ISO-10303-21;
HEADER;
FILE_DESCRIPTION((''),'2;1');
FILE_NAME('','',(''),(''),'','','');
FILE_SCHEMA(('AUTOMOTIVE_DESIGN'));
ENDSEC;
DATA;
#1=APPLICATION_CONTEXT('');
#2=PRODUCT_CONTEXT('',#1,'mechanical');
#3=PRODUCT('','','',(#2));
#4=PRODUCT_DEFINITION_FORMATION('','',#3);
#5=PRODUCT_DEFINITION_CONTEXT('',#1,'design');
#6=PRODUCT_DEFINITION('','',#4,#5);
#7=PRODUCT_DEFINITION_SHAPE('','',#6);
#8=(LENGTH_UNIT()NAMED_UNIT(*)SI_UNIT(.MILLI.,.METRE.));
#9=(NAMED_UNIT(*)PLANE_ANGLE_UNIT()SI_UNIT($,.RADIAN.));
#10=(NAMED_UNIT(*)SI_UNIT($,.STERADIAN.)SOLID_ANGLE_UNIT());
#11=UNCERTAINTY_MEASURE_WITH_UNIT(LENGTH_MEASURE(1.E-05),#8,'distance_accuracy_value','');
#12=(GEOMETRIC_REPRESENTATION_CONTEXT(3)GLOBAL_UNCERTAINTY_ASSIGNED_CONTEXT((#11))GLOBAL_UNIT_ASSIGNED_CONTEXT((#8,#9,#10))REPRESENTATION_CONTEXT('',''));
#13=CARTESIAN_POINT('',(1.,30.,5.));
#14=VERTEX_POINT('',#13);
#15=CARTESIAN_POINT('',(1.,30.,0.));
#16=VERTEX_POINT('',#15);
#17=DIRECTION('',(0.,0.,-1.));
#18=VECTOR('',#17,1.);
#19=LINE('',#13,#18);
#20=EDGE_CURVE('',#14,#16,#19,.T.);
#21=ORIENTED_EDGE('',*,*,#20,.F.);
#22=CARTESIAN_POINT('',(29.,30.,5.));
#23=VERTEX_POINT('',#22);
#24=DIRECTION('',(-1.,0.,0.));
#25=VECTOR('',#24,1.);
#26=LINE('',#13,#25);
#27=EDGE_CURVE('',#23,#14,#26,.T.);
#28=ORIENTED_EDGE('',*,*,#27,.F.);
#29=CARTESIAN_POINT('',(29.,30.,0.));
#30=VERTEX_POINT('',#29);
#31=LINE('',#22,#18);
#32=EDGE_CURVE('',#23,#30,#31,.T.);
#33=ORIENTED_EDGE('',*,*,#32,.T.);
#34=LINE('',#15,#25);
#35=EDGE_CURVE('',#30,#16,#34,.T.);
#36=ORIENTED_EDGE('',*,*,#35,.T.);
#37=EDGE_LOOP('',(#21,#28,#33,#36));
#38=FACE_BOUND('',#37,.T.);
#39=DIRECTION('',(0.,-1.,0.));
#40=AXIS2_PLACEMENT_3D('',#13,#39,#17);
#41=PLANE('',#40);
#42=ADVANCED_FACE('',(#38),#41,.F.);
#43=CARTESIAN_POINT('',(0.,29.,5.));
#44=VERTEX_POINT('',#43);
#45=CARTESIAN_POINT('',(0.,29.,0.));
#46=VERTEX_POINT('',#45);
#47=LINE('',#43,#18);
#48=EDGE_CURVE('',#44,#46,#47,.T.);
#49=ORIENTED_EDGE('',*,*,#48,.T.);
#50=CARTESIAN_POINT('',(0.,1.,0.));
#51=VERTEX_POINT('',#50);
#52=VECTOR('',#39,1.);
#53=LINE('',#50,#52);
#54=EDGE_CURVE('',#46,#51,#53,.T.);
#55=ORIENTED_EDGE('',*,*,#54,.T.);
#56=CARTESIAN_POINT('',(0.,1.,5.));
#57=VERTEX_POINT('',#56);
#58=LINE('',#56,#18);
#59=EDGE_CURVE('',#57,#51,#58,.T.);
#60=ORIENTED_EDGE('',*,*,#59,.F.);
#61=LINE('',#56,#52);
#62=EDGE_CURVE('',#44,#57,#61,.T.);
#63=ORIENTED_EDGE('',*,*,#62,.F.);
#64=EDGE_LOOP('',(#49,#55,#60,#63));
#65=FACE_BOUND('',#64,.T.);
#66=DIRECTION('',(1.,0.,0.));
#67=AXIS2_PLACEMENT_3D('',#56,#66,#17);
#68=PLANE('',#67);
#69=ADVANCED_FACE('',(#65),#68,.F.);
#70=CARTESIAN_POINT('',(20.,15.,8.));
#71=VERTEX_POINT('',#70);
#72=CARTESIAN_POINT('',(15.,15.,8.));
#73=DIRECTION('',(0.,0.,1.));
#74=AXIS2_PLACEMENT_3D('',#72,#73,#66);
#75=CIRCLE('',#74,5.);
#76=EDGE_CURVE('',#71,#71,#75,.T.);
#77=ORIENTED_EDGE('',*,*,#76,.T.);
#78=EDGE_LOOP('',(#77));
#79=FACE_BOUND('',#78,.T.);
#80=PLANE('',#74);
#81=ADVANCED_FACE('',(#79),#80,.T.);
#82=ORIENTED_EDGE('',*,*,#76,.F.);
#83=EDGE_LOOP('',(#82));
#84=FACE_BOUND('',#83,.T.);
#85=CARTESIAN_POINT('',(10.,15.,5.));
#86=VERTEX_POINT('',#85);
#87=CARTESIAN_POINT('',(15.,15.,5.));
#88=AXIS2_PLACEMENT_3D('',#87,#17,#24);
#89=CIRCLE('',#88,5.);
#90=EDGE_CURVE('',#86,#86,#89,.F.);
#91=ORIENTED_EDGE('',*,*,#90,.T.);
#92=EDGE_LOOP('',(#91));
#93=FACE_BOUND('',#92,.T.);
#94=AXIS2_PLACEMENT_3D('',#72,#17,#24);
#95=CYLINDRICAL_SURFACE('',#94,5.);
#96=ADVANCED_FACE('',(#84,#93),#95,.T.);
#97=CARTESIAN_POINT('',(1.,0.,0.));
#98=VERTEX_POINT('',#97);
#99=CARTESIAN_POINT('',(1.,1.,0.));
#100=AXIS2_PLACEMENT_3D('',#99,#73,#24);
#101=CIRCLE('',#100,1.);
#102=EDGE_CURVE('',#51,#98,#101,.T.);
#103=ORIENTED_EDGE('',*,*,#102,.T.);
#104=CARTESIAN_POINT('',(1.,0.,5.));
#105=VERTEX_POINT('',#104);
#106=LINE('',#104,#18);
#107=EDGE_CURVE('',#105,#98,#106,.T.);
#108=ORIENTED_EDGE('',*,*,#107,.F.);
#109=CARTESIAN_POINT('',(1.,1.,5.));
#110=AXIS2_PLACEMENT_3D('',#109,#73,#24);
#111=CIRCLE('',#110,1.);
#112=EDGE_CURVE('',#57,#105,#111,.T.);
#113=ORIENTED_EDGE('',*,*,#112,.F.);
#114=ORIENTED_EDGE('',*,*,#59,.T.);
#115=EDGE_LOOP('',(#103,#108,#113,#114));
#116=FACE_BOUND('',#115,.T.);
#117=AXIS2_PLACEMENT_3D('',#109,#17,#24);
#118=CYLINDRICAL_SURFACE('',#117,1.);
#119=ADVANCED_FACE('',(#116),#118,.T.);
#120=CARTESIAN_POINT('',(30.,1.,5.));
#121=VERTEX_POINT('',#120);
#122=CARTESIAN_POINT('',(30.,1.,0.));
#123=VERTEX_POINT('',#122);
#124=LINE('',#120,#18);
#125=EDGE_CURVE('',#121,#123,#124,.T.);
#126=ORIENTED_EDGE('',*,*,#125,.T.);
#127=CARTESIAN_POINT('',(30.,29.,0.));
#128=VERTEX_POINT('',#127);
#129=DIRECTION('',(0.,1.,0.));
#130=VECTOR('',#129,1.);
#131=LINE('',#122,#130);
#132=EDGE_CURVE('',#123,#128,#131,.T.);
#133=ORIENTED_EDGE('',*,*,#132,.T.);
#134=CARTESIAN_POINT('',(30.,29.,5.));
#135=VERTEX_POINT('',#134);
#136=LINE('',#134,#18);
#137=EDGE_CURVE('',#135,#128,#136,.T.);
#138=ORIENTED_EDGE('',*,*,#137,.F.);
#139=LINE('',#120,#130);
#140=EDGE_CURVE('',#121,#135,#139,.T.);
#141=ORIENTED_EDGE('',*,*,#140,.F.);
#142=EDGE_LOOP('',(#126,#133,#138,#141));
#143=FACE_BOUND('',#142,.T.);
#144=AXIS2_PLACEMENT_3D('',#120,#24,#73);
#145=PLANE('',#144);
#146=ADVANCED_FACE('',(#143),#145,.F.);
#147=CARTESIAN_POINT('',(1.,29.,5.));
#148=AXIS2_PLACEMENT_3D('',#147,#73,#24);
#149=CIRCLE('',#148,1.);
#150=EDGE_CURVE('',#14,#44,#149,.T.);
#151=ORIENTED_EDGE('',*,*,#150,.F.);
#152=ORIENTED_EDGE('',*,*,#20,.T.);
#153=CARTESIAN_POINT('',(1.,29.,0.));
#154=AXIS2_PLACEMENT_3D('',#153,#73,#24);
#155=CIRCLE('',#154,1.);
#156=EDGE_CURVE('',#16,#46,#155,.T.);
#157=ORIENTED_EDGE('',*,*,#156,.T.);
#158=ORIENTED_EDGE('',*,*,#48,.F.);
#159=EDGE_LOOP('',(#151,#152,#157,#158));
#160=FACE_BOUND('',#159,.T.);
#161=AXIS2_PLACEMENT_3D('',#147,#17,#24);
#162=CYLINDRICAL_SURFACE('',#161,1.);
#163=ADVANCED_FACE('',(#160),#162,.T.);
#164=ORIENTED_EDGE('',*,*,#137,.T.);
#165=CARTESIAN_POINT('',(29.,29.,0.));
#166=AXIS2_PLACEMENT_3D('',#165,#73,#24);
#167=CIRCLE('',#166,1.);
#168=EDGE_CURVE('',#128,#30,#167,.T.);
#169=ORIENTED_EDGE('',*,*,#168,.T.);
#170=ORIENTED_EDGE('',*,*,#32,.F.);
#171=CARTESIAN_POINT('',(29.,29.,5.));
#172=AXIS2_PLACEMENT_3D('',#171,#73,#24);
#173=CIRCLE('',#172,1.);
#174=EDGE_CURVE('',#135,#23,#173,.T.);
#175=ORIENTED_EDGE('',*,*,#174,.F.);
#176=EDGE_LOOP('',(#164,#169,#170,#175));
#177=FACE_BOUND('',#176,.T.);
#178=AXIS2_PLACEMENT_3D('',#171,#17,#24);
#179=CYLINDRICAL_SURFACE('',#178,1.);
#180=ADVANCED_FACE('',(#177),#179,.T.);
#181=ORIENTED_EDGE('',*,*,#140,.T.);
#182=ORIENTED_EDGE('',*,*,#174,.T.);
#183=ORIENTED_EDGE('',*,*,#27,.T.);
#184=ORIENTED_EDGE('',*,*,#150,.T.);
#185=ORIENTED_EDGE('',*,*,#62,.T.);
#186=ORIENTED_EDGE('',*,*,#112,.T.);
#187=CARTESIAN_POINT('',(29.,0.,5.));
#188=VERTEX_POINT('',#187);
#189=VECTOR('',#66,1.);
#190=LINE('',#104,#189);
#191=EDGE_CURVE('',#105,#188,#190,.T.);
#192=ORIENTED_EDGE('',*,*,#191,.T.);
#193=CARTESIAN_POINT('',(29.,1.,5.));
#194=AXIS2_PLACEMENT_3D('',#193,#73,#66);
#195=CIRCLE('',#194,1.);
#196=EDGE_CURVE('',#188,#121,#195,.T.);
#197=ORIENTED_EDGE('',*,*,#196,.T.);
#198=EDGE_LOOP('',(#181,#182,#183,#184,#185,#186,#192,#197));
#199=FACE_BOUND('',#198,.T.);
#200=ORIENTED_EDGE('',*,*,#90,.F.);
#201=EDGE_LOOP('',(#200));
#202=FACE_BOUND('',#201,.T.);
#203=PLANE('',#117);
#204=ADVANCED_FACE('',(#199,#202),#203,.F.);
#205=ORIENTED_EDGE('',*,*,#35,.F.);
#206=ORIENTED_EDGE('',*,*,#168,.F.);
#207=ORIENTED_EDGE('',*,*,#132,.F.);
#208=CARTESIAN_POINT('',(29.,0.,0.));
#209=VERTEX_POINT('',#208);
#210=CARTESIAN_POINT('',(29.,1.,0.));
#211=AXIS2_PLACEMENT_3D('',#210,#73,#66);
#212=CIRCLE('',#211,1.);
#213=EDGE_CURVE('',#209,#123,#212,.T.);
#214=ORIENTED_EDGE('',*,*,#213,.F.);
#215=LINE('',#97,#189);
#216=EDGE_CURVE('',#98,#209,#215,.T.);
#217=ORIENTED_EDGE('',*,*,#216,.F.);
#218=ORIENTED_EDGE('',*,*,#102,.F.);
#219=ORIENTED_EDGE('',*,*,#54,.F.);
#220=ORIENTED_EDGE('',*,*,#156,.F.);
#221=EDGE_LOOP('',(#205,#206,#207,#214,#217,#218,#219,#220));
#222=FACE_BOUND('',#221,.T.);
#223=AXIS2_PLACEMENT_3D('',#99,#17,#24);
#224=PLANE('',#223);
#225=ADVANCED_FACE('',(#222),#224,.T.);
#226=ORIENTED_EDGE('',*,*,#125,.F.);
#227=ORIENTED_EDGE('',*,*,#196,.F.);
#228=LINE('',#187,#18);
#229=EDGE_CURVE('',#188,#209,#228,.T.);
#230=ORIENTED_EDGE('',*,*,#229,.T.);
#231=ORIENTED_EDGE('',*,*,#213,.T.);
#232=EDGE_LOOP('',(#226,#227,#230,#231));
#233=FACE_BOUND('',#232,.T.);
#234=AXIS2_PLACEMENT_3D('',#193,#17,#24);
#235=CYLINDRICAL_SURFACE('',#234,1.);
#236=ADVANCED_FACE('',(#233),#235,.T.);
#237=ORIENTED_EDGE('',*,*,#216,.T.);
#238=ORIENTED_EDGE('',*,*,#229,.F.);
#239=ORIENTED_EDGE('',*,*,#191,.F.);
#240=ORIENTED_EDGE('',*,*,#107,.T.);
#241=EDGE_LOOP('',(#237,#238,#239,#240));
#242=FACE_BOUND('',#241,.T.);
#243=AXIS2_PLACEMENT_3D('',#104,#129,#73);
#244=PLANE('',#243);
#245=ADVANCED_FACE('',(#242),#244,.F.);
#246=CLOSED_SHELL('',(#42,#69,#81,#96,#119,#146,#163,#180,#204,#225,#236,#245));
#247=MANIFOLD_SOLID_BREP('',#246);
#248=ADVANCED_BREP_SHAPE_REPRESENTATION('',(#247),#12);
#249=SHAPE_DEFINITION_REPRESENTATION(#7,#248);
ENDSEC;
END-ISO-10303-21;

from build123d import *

# Parameters (mm, degrees)
BOSS_EXTRUDE1_DEPTH = 5
SKETCH2_R           = 5
BOSS_EXTRUDE2_DEPTH = 3


with BuildPart() as part:
    # Sketch1 → Boss-Extrude1 (new body)
    with BuildSketch(Plane.XY):
        with BuildLine():
            Line((1, 0), (29, 0))
            ThreePointArc((29, 0), (29.707106781, 0.292893219), (30, 1))
            Line((30, 1), (30, 29))
            ThreePointArc((30, 29), (29.707106781, 29.707106781), (29, 30))
            Line((29, 30), (1, 30))
            ThreePointArc((1, 30), (0.292893219, 29.707106781), (0, 29))
            Line((0, 29), (0, 1))
            ThreePointArc((0, 1), (0.292893219, 0.292893219), (1, 0))
        make_face()
    extrude(amount=BOSS_EXTRUDE1_DEPTH)

    # Sketch2 → Boss-Extrude2 (add)
    with BuildSketch(Plane.XY.offset(5)):
        with Locations(Location((15, 15, 0), (0, 0, 180))):
            Circle(SKETCH2_R)
    extrude(amount=BOSS_EXTRUDE2_DEPTH)


solid = part.part
